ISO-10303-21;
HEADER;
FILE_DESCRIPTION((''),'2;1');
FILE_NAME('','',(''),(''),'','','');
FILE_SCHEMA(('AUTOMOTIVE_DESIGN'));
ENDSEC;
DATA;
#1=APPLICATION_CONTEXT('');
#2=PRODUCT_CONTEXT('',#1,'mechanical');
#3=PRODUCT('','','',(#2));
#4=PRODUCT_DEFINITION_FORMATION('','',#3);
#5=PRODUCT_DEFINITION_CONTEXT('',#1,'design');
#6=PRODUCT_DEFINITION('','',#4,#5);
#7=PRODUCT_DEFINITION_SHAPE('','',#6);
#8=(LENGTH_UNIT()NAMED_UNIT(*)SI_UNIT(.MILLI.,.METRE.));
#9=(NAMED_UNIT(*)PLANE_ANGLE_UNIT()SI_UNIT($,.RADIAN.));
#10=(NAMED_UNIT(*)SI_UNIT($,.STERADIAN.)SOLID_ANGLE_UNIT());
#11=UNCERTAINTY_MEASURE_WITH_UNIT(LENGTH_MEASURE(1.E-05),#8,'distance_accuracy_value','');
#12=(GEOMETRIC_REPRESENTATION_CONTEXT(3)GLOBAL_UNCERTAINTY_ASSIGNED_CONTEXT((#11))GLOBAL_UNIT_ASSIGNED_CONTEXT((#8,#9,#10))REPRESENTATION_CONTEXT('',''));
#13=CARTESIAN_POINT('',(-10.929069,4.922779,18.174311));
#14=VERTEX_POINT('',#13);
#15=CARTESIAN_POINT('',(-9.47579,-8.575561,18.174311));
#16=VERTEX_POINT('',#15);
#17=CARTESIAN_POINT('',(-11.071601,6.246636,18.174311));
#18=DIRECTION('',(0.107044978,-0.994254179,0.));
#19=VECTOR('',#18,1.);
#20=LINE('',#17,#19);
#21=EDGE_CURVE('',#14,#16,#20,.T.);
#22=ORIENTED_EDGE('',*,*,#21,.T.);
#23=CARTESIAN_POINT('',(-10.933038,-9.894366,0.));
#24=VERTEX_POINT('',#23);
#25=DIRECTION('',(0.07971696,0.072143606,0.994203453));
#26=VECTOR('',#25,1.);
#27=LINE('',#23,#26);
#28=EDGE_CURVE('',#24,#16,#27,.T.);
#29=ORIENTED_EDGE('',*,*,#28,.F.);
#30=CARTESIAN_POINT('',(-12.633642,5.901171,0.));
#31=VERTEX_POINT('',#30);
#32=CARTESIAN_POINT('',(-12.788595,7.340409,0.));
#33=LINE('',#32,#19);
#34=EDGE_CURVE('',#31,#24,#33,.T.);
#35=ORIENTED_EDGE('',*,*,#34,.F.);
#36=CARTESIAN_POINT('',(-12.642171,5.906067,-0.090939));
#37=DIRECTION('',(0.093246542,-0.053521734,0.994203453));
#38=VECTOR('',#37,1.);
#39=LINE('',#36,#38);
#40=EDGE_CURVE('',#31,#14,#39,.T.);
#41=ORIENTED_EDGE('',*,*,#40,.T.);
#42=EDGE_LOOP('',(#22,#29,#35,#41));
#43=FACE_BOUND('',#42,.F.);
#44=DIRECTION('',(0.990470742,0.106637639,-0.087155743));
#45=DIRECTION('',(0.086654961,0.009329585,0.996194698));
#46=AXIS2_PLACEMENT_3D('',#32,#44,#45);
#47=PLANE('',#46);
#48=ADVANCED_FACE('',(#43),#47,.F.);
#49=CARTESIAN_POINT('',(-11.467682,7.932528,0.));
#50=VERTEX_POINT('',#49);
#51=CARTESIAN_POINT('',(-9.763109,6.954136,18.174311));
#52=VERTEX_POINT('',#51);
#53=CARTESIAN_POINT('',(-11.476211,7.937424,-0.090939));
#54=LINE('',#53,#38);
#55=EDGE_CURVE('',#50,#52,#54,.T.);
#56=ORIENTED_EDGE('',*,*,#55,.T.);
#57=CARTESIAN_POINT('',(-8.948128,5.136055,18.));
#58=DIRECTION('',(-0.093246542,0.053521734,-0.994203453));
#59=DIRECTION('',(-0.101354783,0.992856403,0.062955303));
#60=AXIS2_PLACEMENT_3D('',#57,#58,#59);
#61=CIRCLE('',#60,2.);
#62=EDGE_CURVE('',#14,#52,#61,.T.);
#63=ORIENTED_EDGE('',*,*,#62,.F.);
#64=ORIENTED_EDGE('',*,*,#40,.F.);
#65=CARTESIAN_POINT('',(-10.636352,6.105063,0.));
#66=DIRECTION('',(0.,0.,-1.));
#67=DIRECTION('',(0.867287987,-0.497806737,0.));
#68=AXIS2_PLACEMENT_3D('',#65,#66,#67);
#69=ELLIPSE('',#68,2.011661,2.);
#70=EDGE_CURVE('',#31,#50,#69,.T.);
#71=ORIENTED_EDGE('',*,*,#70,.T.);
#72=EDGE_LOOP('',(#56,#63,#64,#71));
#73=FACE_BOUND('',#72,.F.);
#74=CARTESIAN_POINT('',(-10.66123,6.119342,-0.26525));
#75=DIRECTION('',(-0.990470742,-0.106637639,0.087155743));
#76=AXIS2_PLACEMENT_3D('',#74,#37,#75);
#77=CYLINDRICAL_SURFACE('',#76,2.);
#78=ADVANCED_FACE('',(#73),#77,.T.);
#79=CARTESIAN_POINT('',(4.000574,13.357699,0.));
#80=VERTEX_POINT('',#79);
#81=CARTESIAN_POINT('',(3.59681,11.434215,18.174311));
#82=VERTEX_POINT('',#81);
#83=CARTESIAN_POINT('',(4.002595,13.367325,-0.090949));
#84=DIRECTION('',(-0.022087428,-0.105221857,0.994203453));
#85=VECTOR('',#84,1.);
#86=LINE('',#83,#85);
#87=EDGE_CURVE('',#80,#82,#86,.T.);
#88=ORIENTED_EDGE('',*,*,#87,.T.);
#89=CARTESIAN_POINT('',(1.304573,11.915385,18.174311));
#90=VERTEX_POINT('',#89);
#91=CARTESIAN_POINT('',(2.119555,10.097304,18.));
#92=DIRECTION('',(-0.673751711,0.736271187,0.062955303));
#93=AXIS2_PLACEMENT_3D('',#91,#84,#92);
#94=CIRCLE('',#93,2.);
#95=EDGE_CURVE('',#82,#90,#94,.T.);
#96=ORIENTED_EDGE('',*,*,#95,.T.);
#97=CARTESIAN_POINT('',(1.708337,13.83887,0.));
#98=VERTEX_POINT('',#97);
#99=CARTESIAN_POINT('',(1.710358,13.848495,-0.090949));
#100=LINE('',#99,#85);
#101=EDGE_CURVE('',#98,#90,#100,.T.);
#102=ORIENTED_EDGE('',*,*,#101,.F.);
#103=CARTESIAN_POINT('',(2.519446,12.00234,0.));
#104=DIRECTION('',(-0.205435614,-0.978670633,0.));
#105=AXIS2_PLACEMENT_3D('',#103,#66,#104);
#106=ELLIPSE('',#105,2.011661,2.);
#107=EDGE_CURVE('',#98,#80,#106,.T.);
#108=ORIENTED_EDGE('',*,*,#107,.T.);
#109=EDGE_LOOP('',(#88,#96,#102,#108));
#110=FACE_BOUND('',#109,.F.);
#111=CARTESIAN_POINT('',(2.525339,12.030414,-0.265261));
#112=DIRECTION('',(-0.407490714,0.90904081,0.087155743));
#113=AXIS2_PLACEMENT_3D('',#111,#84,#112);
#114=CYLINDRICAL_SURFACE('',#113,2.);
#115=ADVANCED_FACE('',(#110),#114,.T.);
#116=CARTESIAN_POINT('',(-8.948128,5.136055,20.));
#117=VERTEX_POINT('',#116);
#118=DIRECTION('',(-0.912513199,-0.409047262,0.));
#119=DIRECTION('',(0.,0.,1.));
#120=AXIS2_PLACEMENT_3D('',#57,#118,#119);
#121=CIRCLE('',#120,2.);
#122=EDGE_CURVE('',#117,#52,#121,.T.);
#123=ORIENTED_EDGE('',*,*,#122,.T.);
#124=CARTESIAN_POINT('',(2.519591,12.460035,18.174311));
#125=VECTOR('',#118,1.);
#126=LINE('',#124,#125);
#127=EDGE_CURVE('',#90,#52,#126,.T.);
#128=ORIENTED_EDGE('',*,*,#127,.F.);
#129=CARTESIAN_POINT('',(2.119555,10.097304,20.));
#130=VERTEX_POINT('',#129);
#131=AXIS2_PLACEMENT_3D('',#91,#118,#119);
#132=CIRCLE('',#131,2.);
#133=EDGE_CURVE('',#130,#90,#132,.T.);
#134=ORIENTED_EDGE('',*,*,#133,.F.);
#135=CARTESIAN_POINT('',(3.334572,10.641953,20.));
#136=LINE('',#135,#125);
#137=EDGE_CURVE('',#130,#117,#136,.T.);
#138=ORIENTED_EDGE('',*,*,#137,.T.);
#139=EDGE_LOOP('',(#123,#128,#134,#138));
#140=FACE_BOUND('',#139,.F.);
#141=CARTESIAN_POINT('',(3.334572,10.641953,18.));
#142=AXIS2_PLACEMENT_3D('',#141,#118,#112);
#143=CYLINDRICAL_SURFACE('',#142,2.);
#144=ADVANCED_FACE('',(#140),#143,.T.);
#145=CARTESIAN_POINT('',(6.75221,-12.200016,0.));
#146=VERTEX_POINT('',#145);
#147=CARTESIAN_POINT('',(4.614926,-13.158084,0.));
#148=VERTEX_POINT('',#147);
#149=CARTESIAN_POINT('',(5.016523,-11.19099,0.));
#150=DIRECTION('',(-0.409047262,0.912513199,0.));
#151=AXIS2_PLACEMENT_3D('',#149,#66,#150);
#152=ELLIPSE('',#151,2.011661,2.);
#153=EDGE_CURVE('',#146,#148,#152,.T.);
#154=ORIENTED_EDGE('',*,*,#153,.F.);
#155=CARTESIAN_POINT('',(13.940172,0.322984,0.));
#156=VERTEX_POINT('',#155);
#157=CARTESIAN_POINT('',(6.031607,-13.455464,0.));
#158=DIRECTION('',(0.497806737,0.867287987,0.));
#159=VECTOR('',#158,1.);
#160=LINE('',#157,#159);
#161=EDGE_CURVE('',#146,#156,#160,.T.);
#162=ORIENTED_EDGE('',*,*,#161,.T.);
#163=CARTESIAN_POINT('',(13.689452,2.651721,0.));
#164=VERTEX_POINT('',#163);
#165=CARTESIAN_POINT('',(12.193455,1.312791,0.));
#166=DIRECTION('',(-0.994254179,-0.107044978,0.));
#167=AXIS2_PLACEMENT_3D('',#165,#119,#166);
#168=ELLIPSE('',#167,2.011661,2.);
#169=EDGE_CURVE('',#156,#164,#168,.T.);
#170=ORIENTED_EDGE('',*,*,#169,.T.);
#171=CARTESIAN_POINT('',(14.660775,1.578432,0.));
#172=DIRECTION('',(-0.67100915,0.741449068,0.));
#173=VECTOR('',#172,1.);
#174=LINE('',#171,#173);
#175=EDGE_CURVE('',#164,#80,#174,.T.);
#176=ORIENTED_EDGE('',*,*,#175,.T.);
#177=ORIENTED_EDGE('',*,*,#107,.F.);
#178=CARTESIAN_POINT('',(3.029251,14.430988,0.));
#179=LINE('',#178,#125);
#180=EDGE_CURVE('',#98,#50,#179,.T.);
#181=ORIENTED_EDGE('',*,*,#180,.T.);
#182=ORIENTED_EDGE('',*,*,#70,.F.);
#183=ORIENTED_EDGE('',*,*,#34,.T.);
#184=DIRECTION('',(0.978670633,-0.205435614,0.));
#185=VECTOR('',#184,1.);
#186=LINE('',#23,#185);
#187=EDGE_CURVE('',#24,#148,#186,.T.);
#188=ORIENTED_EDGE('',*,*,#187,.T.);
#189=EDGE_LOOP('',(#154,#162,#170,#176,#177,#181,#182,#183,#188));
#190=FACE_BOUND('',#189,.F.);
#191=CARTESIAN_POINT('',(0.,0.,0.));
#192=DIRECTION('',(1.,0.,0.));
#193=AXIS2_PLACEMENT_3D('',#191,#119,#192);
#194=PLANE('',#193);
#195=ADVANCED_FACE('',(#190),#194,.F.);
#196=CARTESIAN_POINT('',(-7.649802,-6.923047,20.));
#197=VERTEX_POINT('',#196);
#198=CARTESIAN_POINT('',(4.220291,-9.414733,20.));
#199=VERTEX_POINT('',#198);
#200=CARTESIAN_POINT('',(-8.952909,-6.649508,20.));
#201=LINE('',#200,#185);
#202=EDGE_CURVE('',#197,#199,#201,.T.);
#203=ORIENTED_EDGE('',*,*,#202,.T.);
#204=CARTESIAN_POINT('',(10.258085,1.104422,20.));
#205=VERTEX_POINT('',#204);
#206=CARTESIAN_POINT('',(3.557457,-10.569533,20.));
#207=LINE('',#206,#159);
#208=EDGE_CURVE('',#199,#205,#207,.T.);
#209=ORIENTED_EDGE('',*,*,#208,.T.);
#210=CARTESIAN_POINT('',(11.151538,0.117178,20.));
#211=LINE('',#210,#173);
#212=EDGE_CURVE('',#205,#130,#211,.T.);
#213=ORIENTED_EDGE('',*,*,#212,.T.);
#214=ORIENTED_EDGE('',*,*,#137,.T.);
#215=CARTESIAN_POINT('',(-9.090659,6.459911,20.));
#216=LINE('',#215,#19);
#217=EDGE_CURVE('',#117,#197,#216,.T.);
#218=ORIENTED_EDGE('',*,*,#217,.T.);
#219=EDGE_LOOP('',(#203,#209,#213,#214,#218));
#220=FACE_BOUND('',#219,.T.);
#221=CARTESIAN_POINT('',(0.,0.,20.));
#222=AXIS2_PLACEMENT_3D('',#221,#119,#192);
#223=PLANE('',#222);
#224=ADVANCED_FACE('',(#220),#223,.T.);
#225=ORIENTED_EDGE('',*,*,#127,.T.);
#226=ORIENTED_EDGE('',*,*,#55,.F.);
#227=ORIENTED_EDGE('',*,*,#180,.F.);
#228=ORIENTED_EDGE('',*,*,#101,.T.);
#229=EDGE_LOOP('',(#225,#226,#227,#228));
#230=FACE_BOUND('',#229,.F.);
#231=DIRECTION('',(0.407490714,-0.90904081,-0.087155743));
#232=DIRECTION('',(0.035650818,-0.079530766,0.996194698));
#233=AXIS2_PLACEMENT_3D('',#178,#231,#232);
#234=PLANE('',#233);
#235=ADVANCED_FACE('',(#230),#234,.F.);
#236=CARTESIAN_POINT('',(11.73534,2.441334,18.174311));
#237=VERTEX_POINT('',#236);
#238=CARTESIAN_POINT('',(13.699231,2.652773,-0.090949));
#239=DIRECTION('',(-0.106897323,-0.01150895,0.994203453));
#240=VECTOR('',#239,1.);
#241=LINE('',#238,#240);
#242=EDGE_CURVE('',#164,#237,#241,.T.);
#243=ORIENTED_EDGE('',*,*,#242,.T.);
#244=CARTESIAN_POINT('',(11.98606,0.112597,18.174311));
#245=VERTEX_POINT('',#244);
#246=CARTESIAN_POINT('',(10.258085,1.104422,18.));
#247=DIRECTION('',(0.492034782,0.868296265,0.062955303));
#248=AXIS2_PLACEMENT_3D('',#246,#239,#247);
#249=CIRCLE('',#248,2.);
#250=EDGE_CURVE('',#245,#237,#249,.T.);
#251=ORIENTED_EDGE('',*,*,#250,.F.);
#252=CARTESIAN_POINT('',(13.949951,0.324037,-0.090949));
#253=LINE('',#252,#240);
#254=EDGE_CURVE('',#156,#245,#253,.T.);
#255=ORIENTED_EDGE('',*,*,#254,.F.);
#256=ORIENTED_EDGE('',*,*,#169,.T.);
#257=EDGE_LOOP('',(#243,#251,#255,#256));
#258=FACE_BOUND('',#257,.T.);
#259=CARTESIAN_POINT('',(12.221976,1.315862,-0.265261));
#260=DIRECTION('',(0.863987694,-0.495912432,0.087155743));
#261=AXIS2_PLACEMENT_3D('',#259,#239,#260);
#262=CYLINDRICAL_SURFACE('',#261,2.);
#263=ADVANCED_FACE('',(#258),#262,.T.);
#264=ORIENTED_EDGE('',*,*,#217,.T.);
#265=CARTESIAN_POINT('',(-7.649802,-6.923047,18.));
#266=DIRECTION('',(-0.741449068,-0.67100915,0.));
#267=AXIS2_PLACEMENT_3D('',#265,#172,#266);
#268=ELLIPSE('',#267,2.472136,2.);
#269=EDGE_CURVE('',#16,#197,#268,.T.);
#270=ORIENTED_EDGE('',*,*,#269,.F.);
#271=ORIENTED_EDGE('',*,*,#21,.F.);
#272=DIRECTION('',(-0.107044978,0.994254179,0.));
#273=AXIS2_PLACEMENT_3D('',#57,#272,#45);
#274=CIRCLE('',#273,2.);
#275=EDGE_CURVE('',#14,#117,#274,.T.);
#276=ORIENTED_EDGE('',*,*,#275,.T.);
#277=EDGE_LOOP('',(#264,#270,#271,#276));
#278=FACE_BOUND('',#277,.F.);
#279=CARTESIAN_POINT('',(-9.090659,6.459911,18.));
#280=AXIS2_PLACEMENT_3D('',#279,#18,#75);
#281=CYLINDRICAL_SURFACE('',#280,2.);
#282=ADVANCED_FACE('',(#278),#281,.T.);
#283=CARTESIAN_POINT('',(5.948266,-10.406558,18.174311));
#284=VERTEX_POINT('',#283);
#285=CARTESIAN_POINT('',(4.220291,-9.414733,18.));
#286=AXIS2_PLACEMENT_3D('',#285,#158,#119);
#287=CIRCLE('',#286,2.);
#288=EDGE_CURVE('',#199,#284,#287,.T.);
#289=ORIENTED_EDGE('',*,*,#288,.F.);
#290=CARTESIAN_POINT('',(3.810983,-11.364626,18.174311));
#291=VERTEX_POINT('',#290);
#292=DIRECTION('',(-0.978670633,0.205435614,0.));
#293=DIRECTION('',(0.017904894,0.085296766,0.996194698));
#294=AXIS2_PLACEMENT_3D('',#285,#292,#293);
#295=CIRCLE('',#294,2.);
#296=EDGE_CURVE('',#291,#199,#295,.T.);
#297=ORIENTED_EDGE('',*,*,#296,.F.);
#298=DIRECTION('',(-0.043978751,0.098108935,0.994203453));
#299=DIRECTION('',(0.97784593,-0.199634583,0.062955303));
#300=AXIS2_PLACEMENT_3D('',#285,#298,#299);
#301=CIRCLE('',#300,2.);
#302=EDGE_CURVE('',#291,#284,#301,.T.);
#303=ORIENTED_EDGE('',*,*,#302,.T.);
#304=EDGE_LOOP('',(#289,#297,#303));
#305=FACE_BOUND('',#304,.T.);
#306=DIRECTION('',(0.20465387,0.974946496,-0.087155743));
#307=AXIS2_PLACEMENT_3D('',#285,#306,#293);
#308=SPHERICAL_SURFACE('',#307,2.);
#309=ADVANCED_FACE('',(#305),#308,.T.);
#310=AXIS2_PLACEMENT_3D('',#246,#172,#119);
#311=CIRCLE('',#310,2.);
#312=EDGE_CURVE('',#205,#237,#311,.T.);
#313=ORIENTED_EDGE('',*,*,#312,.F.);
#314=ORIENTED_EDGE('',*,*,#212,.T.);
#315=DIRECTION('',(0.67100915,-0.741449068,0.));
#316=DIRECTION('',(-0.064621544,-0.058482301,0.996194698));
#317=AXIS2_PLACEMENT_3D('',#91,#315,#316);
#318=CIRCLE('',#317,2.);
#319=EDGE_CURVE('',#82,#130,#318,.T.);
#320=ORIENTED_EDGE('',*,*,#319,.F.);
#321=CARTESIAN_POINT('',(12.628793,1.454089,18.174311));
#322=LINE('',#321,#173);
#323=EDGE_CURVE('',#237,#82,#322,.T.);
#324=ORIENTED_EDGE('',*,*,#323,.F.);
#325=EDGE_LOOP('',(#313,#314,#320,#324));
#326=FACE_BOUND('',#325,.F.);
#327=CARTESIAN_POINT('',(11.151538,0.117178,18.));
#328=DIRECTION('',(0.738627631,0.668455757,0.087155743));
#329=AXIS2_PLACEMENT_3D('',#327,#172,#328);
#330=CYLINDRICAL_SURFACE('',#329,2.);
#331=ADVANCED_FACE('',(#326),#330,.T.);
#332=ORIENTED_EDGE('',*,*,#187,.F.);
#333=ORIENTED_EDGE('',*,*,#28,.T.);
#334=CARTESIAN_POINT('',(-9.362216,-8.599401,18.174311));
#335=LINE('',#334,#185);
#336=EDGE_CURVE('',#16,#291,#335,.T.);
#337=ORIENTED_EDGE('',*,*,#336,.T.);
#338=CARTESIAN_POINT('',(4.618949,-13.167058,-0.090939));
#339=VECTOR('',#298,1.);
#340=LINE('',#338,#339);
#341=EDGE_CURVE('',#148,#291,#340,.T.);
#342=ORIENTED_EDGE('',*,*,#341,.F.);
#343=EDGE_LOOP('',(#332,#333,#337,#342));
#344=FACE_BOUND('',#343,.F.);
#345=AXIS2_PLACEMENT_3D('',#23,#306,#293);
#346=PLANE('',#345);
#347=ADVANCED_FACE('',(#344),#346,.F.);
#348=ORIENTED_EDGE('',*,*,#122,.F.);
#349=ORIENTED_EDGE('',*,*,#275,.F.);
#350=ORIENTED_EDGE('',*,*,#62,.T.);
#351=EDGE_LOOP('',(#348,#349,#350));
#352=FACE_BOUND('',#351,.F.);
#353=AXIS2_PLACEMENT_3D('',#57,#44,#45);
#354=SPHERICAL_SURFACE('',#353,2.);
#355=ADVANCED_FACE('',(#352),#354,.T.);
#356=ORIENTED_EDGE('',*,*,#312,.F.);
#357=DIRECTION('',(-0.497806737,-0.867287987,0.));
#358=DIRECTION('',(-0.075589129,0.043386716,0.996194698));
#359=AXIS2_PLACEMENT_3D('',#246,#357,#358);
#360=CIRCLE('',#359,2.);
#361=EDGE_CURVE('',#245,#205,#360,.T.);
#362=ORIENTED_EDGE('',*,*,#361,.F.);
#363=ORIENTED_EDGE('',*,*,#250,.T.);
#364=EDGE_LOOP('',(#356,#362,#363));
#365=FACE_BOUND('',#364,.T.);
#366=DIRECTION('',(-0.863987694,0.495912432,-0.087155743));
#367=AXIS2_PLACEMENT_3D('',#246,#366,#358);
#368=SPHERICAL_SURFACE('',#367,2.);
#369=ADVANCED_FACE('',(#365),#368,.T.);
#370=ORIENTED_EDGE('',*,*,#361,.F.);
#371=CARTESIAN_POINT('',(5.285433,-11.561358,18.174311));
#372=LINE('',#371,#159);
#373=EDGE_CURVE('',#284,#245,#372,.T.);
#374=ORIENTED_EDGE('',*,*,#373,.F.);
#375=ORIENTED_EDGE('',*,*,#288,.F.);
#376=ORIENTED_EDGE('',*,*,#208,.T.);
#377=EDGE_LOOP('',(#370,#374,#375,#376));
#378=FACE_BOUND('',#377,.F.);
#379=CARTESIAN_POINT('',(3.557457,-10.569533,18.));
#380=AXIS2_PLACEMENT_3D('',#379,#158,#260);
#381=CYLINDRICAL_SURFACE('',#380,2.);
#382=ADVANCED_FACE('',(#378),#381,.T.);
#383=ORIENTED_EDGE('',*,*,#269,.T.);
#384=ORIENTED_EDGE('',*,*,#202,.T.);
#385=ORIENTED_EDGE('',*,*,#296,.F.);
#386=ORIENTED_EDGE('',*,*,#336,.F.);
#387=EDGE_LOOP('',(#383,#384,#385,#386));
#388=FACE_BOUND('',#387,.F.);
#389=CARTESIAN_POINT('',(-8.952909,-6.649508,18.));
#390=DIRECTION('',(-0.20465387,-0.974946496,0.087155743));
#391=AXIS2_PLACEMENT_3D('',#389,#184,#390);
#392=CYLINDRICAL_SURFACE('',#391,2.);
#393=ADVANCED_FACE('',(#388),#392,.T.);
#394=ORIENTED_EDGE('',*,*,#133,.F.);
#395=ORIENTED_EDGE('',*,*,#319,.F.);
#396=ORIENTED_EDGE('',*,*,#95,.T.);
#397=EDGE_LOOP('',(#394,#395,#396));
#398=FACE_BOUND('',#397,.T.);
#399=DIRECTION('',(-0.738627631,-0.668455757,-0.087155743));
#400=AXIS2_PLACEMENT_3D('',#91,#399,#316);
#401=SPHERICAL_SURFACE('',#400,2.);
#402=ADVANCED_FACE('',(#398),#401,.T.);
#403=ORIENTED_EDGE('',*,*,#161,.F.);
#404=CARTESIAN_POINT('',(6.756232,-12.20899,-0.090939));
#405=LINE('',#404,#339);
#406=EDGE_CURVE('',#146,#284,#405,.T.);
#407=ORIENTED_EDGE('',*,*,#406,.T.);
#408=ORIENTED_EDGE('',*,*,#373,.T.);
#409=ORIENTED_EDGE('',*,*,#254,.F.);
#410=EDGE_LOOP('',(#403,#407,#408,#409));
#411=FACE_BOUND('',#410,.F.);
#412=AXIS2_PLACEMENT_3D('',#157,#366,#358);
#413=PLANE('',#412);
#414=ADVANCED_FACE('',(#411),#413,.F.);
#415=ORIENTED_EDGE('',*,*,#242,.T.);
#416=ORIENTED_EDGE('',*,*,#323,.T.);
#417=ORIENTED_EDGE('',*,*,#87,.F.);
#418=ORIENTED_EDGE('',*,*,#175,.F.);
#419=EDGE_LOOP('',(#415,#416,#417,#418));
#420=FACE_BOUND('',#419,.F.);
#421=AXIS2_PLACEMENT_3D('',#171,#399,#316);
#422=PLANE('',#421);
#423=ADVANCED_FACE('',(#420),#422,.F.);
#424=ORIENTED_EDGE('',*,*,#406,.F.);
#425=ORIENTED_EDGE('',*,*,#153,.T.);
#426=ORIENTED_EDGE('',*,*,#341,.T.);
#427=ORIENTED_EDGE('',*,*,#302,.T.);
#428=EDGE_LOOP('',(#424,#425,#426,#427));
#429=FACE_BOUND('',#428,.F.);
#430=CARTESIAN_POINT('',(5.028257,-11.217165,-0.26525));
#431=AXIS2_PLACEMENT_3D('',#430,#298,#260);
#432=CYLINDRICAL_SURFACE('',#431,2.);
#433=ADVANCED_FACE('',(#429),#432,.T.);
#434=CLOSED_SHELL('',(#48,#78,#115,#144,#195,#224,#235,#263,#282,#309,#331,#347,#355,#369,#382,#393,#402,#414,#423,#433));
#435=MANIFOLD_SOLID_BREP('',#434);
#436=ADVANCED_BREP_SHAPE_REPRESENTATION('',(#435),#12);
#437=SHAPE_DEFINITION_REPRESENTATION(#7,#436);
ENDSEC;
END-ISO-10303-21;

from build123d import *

# Parameters (mm, degrees)
F1_DEPTH = 20
F1_TAPER = 5
F2_R     = 2


with BuildPart() as f1:
    # F0 (on Top) → F1 (new body)
    with BuildSketch(Plane.XY):
        Polygon((6.0316065778, -13.4554637656), (14.66077543, 1.5784317688), (3.0292509394, 14.4309882477), (-12.788595389, 7.3404094595), (-10.9330375582, -9.8943657103), align=None)
    extrude(amount=F1_DEPTH, taper=F1_TAPER)

    # F2
    f2_edges = [f1.edges().sort_by_distance(p)[0] for p in [
        (-4.163932, 9.289008, 20),
        (7.547645, 6.830596, 20),
        (-10.121097, -1.089674, 20),
        (8.828634, -5.067467, 20),
        (-2.09125, -9.962463, 20),
        (2.807089, 13.372634, 10.000005),
        (13.585569, 1.462671, 10.000005),
        (-11.850693, 6.802072, 10),
        (5.589255, -12.468654, 10),
    ]]
    fillet(f2_edges, radius=F2_R)


solid = f1.part
